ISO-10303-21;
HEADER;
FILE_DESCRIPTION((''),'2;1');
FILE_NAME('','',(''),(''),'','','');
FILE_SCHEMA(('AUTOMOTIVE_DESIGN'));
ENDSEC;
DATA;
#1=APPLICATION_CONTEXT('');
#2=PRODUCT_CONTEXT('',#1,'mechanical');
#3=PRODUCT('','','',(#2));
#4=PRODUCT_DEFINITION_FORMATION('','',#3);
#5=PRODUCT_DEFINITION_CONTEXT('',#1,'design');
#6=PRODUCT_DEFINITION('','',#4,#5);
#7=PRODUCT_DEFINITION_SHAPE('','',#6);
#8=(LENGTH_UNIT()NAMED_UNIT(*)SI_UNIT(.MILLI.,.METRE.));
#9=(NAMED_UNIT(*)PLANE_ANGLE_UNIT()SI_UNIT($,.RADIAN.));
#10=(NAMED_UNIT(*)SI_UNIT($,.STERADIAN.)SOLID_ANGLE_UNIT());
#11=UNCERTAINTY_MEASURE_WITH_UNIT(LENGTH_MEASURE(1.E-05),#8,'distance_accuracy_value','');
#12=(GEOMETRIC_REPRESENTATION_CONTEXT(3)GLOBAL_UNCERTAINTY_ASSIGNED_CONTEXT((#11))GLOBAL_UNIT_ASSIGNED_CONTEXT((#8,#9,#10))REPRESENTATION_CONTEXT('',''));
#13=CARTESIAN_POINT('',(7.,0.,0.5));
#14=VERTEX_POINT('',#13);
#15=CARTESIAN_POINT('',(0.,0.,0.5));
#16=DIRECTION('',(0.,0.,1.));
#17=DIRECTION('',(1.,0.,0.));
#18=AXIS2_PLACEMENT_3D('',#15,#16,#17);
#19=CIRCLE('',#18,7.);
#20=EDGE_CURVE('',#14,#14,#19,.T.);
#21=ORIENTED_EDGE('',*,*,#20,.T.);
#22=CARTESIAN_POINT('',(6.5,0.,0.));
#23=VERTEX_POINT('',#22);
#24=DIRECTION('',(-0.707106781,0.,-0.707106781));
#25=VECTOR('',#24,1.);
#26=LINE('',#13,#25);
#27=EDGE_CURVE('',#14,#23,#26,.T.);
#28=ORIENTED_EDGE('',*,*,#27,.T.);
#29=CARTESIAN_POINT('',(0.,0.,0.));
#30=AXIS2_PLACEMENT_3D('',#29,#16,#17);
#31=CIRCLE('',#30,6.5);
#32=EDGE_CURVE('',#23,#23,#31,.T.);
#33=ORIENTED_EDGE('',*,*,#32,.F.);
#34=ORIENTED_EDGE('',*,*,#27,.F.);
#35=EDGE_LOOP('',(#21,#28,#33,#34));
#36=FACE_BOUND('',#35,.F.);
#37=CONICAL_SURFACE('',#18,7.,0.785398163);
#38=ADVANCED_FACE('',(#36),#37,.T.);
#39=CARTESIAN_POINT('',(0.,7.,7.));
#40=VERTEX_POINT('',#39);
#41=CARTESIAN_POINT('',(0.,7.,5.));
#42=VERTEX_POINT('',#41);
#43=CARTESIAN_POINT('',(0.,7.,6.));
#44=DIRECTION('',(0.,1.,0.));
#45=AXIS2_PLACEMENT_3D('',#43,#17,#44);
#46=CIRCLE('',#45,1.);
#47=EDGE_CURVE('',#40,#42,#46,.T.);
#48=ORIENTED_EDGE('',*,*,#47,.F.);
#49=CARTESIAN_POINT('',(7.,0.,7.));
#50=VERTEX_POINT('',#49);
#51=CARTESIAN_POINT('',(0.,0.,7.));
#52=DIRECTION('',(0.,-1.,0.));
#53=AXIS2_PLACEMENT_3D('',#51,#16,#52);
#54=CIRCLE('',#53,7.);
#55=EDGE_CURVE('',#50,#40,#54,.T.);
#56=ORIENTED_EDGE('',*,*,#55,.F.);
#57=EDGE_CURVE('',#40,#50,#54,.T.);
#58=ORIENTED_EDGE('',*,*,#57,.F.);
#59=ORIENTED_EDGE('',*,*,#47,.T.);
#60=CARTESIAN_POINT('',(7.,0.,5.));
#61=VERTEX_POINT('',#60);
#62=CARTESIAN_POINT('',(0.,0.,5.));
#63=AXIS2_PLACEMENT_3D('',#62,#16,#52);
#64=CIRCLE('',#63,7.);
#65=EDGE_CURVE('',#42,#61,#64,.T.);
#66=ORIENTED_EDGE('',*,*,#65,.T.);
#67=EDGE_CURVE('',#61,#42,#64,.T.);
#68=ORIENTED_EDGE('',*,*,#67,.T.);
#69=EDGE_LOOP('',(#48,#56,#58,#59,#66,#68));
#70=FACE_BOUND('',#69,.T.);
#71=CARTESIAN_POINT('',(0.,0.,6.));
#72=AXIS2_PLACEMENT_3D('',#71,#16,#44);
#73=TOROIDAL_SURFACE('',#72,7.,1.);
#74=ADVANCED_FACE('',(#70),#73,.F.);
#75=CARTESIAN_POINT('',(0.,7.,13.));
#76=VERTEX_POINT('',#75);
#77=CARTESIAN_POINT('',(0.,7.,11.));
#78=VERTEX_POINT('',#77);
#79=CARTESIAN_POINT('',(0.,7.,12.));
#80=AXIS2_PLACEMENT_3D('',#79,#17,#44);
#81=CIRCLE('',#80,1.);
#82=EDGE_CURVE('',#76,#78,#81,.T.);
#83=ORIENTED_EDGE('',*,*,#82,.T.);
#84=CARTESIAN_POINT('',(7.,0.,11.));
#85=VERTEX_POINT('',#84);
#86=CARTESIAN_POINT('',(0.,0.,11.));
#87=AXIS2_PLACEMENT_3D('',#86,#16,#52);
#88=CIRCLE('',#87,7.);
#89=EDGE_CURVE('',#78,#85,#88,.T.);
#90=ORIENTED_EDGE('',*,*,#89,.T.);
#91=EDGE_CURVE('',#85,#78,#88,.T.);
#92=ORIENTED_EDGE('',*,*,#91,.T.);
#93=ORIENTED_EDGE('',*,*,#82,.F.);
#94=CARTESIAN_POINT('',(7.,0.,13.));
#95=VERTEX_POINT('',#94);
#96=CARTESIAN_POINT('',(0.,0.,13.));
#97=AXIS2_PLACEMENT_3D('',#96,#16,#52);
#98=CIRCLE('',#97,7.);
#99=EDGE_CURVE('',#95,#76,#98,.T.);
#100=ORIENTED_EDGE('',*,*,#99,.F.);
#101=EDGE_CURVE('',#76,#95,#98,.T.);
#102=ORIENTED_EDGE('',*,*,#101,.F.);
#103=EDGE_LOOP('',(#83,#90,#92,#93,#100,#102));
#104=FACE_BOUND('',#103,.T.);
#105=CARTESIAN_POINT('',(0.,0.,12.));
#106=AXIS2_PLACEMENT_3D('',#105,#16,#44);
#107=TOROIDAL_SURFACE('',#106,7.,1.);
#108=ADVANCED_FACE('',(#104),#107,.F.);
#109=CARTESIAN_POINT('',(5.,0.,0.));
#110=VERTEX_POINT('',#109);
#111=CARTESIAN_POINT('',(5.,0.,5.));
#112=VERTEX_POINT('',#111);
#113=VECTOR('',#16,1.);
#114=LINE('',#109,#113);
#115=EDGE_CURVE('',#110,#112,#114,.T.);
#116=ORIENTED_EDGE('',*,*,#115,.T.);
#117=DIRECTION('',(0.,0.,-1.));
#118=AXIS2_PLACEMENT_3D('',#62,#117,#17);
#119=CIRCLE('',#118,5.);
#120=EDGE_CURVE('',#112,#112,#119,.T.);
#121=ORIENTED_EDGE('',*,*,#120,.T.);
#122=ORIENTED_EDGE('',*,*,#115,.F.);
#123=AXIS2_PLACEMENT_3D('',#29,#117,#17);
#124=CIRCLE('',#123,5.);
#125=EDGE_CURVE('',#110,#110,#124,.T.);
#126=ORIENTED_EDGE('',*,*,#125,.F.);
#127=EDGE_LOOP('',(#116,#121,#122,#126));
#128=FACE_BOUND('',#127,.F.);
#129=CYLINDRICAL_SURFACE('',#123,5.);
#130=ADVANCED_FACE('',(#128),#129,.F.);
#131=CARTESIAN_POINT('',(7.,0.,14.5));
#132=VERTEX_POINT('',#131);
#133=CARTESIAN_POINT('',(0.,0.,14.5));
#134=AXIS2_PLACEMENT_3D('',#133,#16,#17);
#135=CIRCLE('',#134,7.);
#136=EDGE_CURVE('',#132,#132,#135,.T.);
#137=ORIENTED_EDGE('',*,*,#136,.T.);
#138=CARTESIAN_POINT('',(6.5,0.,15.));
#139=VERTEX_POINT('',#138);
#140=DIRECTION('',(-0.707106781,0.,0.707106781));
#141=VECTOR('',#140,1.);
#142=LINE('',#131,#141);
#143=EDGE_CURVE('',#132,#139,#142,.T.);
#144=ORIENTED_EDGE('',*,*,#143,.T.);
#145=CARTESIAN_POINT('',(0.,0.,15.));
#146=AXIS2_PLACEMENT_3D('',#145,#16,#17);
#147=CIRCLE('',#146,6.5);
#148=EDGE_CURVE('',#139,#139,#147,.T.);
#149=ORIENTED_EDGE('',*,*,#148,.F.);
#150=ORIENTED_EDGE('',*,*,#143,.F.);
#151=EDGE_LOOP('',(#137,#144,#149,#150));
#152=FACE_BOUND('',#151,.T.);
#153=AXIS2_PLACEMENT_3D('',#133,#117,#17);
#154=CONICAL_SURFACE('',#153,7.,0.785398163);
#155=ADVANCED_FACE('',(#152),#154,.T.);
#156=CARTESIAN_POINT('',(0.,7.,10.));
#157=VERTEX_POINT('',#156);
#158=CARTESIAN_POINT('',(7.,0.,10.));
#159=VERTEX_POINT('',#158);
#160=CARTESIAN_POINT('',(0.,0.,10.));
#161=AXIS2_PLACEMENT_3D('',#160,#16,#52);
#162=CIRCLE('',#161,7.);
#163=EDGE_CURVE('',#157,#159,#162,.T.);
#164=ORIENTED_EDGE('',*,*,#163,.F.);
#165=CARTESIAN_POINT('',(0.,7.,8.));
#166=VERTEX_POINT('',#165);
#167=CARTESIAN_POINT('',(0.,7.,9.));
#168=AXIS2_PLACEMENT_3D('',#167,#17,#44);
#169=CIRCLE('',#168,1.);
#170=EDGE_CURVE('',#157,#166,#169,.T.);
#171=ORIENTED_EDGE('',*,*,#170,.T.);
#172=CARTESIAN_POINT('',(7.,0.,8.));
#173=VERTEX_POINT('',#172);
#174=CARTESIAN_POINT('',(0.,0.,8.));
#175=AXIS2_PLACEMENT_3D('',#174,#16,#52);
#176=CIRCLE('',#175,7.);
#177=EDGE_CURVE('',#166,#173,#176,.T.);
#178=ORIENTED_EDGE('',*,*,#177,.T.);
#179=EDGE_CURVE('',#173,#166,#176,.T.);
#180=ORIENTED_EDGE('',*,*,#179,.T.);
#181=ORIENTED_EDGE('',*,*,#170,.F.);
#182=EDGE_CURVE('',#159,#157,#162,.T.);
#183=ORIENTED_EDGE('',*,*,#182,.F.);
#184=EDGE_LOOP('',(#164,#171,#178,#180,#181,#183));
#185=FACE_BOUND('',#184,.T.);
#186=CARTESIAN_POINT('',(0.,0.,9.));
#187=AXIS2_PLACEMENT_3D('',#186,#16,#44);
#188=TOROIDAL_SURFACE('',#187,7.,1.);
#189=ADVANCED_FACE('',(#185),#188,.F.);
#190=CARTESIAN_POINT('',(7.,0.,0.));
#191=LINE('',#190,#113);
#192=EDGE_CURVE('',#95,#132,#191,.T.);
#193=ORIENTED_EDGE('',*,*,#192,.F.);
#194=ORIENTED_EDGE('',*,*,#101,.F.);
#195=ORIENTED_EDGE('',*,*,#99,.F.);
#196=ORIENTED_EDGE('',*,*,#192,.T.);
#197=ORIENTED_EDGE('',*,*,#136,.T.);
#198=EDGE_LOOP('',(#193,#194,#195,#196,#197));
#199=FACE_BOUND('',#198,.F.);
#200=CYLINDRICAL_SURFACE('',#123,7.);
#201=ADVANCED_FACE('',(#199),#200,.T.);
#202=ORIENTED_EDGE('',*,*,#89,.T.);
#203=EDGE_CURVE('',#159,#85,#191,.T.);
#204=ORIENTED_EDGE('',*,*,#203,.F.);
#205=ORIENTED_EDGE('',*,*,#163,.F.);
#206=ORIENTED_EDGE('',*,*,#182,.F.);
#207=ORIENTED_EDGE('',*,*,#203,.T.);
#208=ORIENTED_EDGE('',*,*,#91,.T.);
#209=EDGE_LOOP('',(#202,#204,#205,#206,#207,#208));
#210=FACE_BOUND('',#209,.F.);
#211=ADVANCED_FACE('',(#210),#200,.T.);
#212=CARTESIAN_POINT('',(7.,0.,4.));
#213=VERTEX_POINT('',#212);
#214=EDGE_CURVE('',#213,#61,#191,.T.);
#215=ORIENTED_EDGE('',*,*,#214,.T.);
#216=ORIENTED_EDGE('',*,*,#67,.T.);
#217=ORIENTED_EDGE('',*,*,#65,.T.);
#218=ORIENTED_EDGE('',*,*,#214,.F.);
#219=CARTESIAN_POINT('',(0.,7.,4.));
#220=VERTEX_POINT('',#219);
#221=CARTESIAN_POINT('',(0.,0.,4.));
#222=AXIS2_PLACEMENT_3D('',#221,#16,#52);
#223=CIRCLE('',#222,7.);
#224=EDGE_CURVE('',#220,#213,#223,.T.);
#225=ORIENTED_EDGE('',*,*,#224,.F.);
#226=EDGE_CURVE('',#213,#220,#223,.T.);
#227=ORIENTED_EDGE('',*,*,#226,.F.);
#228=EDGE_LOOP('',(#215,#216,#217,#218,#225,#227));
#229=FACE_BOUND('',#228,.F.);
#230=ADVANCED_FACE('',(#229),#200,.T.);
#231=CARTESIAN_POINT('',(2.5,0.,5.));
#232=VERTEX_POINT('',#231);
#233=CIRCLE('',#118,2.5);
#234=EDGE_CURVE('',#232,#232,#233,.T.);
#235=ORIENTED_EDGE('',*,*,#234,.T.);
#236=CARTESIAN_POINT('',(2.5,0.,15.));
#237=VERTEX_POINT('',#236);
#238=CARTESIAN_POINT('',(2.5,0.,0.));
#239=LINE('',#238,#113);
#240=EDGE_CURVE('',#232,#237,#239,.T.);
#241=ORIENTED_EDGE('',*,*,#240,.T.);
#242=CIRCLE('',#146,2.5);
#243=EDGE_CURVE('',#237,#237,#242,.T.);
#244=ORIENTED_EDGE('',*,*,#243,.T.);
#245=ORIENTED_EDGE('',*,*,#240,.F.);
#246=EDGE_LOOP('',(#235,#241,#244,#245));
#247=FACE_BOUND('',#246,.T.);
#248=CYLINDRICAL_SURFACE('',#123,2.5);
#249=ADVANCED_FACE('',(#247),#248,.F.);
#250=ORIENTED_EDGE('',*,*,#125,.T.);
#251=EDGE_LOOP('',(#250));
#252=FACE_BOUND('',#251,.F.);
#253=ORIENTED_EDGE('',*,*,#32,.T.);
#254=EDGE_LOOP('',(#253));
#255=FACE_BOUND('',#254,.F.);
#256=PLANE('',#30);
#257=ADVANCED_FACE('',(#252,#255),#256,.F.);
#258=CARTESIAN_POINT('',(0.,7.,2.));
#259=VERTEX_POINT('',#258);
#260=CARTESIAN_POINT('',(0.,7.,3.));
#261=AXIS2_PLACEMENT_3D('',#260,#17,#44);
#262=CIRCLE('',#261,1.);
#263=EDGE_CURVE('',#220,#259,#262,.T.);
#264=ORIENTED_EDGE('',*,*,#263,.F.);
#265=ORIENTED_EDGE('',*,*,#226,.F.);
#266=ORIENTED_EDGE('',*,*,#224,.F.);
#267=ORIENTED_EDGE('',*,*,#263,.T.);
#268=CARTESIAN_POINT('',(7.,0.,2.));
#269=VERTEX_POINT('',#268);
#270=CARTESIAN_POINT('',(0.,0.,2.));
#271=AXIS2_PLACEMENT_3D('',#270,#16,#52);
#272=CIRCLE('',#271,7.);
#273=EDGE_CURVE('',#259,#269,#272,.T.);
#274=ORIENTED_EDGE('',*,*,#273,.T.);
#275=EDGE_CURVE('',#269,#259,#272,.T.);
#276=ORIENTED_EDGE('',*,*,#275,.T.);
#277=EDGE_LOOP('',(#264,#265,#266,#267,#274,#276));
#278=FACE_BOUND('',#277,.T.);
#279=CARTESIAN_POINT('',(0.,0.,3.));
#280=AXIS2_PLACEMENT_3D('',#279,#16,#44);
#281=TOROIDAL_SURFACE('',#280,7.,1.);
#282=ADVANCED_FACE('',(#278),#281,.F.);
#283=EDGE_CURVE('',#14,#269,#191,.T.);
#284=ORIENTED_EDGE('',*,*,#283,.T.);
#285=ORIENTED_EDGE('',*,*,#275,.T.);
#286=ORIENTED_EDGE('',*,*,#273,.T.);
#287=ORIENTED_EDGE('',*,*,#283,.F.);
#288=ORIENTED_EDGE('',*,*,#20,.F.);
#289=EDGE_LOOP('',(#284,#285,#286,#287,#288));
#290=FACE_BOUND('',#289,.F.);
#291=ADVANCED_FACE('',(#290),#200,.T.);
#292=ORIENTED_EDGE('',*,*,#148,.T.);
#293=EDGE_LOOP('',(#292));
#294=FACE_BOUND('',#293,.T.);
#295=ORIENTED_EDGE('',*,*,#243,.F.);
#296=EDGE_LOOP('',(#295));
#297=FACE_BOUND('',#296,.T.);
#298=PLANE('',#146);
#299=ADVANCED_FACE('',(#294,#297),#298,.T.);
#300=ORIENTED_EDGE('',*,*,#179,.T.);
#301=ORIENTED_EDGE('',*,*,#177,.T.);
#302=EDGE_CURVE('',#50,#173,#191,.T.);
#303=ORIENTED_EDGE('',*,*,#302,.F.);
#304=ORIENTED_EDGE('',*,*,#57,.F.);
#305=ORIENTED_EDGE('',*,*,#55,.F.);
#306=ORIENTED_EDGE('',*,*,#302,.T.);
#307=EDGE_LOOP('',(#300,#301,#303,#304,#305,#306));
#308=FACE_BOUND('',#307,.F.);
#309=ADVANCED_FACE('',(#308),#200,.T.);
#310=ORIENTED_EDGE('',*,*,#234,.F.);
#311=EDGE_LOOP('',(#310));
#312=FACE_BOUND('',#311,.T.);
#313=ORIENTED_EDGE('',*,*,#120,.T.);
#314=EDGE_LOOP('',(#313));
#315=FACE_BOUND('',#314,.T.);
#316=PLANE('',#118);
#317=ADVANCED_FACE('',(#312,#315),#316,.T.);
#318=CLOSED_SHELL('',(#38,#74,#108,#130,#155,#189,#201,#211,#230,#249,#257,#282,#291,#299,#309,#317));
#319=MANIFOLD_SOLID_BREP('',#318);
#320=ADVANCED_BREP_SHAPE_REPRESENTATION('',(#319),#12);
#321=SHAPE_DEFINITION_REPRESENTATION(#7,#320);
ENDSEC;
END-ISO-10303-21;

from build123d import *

# Parameters (mm, degrees)
F0_R     = 7
F0_R_2   = 2.5
F1_DEPTH = 15
F2_R     = 5
F3_DEPTH = 5
F4_SIZE  = 0.5
F5_R     = 1


with BuildPart() as f1:
    # F0 (on Top) → F1 (new body)
    with BuildSketch(Plane.XY):
        Circle(F0_R)
        Circle(F0_R_2, mode=Mode.SUBTRACT)
    extrude(amount=F1_DEPTH)

    # F2 (on face) → F3 (cut)
    with BuildSketch(Plane(origin=(0, 0, 0), x_dir=(1, 0, 0), z_dir=(0, 0, -1))):
        Circle(F2_R)
    extrude(amount=-F3_DEPTH, mode=Mode.SUBTRACT)

    # F4
    f4_edges = [f1.edges().sort_by_distance(p)[0] for p in [
        (-7, 0, 15),
        (-7, 0, 0),
    ]]
    chamfer(f4_edges, length=F4_SIZE)

    # F5 (on Right) → F6 (revolve, cut)
    with BuildSketch(Plane.YZ):
        with Locations((7, 12)):
            Circle(F5_R)
        with Locations((7, 9)):
            Circle(F5_R)
        with Locations((7, 6)):
            Circle(F5_R)
        with Locations((7, 3)):
            Circle(F5_R)
    revolve(axis=Axis((0, 0, 7.640201), (0, 0, -1)), mode=Mode.SUBTRACT)


solid = f1.part
